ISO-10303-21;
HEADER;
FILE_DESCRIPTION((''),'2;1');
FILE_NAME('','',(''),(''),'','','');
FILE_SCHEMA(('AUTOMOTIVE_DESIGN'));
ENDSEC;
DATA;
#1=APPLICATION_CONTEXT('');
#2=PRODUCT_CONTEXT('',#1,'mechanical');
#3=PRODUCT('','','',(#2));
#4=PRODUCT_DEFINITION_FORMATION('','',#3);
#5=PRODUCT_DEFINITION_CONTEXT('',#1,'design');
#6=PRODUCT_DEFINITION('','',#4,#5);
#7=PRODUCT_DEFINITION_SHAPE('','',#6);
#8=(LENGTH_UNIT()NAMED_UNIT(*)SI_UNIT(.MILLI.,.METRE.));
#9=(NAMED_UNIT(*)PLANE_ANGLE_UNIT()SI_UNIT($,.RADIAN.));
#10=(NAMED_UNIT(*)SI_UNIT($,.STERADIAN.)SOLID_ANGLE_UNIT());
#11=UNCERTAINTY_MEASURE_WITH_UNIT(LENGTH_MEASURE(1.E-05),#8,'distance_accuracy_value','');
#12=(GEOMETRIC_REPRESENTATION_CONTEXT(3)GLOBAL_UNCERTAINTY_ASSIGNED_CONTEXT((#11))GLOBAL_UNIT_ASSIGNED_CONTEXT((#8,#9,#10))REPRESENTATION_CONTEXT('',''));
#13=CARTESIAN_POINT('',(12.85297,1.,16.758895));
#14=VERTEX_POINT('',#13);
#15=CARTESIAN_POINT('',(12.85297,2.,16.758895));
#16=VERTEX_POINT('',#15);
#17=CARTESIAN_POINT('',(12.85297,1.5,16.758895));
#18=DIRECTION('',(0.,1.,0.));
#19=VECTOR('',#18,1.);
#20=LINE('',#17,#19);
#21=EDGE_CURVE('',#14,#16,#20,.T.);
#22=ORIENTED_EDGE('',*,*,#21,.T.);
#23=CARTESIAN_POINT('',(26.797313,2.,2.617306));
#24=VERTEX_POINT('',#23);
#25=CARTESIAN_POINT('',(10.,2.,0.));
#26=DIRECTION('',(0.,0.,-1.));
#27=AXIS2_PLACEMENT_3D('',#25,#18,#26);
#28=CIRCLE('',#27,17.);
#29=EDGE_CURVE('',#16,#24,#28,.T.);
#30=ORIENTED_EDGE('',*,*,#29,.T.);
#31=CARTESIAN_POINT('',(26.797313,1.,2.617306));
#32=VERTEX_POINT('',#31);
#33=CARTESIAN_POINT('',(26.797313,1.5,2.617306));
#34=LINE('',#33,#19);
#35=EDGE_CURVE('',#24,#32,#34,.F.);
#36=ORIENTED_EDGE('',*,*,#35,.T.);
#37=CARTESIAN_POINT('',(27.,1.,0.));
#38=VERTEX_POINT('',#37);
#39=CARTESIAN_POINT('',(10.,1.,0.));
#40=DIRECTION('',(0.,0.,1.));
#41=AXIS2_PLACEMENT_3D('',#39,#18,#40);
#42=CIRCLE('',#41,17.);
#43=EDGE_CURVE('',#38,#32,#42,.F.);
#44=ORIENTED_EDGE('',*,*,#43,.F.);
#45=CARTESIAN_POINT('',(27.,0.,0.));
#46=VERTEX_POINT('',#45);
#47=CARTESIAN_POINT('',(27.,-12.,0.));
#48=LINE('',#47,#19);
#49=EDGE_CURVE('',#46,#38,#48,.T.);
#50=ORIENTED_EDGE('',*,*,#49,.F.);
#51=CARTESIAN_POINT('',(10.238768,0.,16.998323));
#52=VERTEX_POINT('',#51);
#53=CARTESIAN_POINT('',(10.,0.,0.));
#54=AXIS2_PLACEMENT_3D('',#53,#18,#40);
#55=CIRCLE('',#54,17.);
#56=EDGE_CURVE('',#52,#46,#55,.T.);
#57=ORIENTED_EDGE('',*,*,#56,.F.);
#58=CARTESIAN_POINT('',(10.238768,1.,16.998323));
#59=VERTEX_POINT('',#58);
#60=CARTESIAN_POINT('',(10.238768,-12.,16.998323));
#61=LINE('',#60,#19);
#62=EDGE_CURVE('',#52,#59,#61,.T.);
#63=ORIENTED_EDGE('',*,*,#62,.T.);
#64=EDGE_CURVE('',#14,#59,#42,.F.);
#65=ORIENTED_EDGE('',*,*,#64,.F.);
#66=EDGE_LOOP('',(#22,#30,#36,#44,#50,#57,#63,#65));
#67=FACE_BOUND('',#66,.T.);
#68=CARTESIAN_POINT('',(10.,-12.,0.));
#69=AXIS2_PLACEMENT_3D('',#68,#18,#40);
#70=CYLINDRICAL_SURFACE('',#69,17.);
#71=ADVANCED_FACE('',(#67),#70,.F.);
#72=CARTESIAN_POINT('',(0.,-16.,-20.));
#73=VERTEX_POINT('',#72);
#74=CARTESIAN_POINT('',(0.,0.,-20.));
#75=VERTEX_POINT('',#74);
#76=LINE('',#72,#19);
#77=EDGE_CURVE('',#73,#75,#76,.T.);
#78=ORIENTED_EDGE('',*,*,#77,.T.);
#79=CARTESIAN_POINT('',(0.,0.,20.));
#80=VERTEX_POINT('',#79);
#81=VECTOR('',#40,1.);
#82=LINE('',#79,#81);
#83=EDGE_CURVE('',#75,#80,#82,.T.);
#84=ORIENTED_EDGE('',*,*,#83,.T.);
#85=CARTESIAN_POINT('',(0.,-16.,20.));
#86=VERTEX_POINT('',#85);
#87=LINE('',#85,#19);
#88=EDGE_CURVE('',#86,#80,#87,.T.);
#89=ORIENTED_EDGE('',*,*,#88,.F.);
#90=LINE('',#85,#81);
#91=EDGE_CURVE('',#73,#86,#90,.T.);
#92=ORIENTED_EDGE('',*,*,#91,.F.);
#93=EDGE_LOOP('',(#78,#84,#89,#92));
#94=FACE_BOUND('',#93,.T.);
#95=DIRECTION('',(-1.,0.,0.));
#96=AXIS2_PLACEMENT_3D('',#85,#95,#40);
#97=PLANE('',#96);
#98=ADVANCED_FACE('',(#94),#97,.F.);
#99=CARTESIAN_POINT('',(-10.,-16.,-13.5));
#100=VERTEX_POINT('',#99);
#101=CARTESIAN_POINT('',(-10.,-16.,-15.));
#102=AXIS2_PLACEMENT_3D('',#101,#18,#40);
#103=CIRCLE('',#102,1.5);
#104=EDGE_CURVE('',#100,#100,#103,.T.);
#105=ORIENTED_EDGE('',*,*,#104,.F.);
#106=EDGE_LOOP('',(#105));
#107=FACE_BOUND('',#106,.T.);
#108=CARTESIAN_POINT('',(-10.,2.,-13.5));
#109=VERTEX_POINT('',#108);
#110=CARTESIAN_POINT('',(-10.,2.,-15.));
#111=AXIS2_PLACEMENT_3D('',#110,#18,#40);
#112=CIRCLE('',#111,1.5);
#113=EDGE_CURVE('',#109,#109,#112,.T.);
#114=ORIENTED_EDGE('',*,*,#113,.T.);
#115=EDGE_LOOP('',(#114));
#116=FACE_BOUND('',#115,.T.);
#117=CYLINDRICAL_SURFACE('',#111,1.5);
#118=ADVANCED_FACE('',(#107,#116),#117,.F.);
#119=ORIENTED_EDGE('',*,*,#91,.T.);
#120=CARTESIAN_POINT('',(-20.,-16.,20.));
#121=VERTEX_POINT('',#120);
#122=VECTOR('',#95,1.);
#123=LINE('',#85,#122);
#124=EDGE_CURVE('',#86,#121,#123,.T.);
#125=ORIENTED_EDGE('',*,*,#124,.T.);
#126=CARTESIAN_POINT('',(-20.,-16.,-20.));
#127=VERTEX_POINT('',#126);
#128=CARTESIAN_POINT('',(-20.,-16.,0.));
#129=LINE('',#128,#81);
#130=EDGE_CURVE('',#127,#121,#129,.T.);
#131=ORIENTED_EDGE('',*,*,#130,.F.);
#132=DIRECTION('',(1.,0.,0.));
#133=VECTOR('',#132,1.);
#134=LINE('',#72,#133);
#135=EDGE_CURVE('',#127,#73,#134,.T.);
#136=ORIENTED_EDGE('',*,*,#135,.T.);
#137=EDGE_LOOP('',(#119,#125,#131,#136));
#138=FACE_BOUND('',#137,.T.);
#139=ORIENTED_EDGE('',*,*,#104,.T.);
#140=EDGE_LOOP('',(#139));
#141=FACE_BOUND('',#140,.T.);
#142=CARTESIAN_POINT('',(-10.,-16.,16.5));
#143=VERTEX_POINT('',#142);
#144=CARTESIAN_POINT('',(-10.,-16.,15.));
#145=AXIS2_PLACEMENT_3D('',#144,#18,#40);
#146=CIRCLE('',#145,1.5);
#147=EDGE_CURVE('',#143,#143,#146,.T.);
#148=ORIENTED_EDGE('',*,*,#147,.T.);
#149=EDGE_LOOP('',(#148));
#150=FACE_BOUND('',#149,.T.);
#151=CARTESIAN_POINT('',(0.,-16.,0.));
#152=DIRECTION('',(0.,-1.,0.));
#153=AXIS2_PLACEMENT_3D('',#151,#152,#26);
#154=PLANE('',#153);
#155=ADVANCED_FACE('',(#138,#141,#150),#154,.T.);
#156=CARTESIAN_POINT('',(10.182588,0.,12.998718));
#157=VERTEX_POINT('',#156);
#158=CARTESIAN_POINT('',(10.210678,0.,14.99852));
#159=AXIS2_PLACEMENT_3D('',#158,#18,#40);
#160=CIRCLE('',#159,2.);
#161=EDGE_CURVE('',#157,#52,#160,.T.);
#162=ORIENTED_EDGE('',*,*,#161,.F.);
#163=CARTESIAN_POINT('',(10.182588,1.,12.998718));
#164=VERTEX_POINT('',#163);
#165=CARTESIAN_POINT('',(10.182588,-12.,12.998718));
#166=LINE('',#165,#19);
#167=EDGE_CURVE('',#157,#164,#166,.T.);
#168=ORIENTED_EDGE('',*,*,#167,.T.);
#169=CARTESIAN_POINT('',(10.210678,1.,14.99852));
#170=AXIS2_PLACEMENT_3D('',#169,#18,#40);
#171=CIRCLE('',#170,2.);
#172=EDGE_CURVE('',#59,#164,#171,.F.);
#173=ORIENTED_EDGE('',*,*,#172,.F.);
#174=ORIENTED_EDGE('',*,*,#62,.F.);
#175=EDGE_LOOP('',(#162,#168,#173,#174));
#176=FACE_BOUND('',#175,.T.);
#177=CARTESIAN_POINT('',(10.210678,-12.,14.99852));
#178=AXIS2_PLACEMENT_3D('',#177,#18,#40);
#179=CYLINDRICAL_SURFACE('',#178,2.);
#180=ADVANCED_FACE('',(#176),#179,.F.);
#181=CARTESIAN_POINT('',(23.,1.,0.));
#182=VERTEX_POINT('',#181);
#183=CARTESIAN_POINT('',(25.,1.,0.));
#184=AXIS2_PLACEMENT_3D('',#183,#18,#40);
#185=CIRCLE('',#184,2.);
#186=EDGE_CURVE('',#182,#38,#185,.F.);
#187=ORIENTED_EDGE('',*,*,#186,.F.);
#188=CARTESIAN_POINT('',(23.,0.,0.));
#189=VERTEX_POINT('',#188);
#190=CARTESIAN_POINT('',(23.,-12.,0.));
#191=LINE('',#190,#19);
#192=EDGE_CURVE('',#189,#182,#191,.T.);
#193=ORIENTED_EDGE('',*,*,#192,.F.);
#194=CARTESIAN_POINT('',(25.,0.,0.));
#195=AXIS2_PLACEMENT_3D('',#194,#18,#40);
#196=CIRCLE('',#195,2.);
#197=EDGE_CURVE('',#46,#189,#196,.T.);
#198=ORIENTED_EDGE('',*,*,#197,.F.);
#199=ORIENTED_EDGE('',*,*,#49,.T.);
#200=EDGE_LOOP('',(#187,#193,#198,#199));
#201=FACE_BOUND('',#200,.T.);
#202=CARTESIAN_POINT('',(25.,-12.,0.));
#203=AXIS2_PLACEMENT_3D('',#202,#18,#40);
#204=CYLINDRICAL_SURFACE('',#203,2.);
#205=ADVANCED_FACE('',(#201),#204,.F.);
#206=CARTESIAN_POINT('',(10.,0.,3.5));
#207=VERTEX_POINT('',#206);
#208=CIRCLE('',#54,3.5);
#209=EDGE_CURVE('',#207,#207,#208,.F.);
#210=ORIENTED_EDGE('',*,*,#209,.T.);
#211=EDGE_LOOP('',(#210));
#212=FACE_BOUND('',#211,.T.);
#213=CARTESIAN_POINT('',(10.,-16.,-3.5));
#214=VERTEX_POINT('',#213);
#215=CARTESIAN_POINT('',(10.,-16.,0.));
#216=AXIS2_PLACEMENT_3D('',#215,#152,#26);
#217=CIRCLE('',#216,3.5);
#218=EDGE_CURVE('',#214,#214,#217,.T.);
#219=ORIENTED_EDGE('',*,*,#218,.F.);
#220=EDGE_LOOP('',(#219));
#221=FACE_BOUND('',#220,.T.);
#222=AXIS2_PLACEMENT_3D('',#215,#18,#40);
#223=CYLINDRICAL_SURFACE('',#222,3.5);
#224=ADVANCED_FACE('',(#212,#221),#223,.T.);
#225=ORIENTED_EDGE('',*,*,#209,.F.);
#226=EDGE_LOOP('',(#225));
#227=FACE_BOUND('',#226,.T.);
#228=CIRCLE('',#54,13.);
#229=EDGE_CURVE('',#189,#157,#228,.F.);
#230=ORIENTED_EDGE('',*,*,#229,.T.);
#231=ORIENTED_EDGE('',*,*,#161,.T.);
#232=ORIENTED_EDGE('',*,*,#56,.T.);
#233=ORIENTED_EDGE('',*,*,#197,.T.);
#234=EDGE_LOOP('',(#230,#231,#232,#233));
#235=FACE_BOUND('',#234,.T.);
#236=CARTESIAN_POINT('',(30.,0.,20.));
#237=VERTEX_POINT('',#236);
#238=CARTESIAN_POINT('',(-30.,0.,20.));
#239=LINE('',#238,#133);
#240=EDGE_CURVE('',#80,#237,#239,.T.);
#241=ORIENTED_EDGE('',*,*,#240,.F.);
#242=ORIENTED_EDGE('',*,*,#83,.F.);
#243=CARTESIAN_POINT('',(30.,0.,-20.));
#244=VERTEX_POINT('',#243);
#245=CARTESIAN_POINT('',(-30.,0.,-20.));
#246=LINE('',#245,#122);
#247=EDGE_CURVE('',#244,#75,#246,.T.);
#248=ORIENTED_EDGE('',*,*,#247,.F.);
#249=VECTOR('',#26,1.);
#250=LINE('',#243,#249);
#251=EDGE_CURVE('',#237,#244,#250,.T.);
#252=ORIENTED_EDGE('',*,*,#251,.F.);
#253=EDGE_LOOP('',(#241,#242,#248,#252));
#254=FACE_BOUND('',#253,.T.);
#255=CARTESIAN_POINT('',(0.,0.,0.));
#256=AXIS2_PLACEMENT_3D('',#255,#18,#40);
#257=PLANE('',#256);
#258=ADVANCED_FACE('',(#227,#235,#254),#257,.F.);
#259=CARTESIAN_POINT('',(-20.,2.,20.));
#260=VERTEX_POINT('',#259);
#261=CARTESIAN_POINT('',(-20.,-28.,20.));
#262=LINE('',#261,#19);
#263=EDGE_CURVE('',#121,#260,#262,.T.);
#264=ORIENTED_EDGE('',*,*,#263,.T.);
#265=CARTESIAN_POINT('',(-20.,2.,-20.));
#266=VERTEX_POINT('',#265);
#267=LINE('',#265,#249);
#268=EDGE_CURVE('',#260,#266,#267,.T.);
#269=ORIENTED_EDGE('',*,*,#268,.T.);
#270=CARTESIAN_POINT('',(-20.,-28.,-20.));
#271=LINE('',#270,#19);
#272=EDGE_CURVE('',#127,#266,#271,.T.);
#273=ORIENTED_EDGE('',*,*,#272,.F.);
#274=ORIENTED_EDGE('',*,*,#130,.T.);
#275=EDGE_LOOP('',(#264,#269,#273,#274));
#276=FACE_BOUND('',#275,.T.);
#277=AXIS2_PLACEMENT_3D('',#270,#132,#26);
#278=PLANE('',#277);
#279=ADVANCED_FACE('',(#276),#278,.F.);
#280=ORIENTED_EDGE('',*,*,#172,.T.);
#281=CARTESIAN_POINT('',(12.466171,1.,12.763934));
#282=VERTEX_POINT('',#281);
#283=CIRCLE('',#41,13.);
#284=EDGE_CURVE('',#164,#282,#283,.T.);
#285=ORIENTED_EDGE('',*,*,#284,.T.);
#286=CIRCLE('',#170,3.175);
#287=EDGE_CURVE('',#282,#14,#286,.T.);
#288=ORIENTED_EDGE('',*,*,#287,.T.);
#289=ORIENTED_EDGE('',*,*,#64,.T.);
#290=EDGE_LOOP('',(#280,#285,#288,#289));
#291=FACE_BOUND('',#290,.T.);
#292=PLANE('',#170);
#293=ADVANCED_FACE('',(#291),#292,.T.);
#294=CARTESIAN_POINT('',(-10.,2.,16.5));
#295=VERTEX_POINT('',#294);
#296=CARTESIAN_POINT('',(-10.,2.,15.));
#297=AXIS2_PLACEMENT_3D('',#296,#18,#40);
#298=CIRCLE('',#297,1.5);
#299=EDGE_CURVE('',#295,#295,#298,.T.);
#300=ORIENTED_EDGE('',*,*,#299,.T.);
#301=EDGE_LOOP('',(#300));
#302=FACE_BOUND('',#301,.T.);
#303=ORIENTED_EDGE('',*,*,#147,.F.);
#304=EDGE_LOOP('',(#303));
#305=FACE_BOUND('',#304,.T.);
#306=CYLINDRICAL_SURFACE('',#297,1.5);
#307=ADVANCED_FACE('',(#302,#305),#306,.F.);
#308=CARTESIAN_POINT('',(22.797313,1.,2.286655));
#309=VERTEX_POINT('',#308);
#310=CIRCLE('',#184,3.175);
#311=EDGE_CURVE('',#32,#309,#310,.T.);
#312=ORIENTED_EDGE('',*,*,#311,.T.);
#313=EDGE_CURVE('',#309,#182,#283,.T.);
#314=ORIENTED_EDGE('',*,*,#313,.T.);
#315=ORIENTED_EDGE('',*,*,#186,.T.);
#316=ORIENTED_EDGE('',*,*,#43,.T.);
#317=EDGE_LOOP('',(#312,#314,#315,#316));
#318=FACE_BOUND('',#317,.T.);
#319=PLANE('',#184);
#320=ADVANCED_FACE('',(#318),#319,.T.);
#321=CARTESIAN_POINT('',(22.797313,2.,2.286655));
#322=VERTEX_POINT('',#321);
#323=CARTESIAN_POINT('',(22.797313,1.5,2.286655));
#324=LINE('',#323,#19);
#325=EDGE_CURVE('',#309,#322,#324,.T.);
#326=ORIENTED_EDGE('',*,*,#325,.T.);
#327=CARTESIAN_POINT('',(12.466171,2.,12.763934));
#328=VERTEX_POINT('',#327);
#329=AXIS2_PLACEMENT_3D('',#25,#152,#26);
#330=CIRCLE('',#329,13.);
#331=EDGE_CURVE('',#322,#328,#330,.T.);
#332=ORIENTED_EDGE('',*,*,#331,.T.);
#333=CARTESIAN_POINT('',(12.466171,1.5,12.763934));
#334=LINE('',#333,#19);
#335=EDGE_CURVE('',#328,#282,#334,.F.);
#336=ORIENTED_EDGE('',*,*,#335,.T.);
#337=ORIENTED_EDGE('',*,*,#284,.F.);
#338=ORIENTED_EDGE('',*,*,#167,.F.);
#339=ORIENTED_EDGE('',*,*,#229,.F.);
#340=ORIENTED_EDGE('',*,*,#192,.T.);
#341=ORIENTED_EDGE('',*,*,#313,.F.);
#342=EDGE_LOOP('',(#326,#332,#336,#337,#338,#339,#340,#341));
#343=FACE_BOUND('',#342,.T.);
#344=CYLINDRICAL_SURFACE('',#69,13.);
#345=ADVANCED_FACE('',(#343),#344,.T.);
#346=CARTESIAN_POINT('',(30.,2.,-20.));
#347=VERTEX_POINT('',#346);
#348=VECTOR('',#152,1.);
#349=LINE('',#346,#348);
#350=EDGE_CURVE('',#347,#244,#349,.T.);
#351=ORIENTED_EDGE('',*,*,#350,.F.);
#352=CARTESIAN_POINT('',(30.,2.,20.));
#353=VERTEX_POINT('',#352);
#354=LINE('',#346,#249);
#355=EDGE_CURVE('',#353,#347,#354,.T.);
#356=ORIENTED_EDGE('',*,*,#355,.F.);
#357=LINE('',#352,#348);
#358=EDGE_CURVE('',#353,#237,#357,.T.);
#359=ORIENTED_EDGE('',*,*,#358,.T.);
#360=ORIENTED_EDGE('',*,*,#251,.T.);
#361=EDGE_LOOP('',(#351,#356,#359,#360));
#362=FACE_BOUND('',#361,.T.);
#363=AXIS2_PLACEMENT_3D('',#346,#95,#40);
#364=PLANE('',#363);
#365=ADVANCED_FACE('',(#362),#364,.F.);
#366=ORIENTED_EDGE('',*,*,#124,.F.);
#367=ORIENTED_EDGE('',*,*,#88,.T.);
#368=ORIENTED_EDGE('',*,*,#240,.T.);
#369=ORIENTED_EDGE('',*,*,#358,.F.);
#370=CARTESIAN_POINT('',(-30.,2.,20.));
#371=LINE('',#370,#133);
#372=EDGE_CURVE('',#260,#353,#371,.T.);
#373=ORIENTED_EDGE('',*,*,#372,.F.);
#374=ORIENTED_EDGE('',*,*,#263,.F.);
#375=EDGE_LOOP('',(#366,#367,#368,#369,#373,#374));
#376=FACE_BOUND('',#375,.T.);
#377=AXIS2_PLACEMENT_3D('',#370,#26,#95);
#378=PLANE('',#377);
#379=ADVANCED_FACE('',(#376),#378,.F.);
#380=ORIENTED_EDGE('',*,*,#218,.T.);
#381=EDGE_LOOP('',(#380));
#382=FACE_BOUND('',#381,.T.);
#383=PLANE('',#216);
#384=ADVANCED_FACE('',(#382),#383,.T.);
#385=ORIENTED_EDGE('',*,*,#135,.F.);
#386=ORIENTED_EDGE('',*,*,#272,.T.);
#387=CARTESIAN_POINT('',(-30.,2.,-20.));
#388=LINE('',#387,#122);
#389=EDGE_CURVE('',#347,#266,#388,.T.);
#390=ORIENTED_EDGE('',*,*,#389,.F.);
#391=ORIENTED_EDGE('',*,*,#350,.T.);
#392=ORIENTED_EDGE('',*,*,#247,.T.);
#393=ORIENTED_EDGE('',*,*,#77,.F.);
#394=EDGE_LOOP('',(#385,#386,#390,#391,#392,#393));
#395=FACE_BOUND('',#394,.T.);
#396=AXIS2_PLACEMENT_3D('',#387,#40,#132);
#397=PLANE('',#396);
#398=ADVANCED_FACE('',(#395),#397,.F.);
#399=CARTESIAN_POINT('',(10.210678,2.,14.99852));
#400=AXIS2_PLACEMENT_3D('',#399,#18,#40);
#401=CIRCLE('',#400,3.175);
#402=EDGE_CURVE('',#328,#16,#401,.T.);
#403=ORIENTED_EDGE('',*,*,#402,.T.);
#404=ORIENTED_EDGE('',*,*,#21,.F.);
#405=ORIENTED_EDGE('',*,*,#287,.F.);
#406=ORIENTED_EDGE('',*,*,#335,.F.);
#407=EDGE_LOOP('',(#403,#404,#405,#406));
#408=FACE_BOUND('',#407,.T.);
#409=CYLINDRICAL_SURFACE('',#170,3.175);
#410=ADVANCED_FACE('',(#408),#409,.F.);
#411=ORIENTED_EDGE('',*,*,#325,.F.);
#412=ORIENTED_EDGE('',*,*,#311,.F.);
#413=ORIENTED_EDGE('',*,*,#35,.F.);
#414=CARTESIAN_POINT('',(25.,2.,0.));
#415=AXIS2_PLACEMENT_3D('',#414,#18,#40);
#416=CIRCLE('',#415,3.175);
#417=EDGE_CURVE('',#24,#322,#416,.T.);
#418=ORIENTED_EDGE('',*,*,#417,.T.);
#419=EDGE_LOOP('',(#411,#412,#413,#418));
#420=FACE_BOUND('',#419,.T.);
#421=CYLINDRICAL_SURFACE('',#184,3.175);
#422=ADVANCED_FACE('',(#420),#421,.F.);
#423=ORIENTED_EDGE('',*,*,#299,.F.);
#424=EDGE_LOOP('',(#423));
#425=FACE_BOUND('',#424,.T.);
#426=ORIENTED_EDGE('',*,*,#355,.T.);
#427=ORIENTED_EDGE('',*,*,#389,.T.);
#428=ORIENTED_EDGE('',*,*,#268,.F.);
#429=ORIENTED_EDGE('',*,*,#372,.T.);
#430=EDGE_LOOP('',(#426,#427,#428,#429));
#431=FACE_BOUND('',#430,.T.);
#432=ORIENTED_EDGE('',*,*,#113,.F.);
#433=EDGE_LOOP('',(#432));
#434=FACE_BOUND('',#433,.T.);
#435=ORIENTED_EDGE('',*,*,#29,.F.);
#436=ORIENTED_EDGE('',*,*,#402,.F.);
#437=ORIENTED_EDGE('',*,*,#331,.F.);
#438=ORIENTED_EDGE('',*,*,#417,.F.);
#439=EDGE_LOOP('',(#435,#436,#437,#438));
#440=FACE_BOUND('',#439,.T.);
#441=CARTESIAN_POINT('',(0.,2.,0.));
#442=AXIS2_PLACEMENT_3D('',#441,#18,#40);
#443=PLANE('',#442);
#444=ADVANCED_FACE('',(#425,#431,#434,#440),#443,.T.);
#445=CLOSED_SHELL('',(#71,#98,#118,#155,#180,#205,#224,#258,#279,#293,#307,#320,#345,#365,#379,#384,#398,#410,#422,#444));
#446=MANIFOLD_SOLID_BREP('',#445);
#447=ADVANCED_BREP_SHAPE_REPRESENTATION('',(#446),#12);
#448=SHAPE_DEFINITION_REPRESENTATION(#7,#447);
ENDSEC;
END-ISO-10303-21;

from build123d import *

# Parameters (mm, degrees)
SKETCH1_W             = 60
SKETCH1_H             = 40
BOSS_EXTRUDE1_DEPTH   = 2
CUT_EXTRUDE1_DEPTH    = 14
SKETCH6_W             = 30
SKETCH6_H             = 40
BOSS_EXTRUDE4_DEPTH   = 16
SKETCH8_R             = 3.5
BOSS_EXTRUDE5_DEPTH   = 16
SKETCH9_R             = 3.175
CUT_EXTRUDE2_DEPTH    = 1
SKETCH10_W            = 10
SKETCH10_H            = 40
CUT_EXTRUDE3_DEPTH    = 30
F_3_0MM_DOWEL_HOLE1_D = 3


with BuildPart() as part:
    # Sketch1 → Boss-Extrude1 (new body)
    with BuildSketch(Plane(origin=(0, 0, 0), x_dir=(1, 0, 0), z_dir=(0, 1, 0))):
        Rectangle(SKETCH1_W, SKETCH1_H)
    extrude(amount=BOSS_EXTRUDE1_DEPTH)

    # Sketch4 → Cut-Extrude1 (cut)
    with BuildSketch(Plane(origin=(0, 2, 0), x_dir=(1, 0, 0), z_dir=(0, 1, 0))):
        with BuildLine():
            ThreePointArc((27, 0), (22.104938303, -11.936099391), (10.23876839, -16.998323142))
            ThreePointArc((10.23876839, -16.998323142), (8.210875269, -15.026610819), (10.182587592, -12.998717697))
            ThreePointArc((10.182587592, -12.998717697), (19.256717526, -9.127605417), (23, 0))
            ThreePointArc((23, 0), (25, 2), (27, 0))
        make_face()
    extrude(amount=-CUT_EXTRUDE1_DEPTH, mode=Mode.SUBTRACT)

    # Sketch6 → Boss-Extrude4 (add)
    with BuildSketch(Plane.XZ):
        with Locations((-15, 0)):
            Rectangle(SKETCH6_W, SKETCH6_H)
    extrude(amount=BOSS_EXTRUDE4_DEPTH)

    # Sketch8 → Boss-Extrude5 (add)
    with BuildSketch(Plane.XZ):
        with Locations(Location((10, 0, 0), (0, 0, 90))):
            Circle(SKETCH8_R)
    extrude(amount=BOSS_EXTRUDE5_DEPTH)

    # Sketch9 → Cut-Extrude2 (cut)
    with BuildSketch(Plane(origin=(0, 2, 0), x_dir=(1, 0, 0), z_dir=(0, 1, 0))):
        with Locations((25, 0)):
            Circle(SKETCH9_R)
        with Locations((10.210677991, -14.99852042)):
            Circle(SKETCH9_R)
    extrude(amount=-CUT_EXTRUDE2_DEPTH, mode=Mode.SUBTRACT)

    # Sketch10 → Cut-Extrude3 (cut)
    with BuildSketch(Plane(origin=(0, 2, 0), x_dir=(1, 0, 0), z_dir=(0, 1, 0))):
        with Locations((-25, 0)):
            Rectangle(SKETCH10_W, SKETCH10_H)
    extrude(amount=-CUT_EXTRUDE3_DEPTH, mode=Mode.SUBTRACT)

    # Ø3.0mm Dowel Hole1 (through all)
    with Locations(Plane(origin=(0, 2, 0), x_dir=(1, 0, 0), z_dir=(0, 1, 0))):
        with Locations((-10, 15), (-10, -15)):
            Hole(F_3_0MM_DOWEL_HOLE1_D / 2)


solid = part.part
